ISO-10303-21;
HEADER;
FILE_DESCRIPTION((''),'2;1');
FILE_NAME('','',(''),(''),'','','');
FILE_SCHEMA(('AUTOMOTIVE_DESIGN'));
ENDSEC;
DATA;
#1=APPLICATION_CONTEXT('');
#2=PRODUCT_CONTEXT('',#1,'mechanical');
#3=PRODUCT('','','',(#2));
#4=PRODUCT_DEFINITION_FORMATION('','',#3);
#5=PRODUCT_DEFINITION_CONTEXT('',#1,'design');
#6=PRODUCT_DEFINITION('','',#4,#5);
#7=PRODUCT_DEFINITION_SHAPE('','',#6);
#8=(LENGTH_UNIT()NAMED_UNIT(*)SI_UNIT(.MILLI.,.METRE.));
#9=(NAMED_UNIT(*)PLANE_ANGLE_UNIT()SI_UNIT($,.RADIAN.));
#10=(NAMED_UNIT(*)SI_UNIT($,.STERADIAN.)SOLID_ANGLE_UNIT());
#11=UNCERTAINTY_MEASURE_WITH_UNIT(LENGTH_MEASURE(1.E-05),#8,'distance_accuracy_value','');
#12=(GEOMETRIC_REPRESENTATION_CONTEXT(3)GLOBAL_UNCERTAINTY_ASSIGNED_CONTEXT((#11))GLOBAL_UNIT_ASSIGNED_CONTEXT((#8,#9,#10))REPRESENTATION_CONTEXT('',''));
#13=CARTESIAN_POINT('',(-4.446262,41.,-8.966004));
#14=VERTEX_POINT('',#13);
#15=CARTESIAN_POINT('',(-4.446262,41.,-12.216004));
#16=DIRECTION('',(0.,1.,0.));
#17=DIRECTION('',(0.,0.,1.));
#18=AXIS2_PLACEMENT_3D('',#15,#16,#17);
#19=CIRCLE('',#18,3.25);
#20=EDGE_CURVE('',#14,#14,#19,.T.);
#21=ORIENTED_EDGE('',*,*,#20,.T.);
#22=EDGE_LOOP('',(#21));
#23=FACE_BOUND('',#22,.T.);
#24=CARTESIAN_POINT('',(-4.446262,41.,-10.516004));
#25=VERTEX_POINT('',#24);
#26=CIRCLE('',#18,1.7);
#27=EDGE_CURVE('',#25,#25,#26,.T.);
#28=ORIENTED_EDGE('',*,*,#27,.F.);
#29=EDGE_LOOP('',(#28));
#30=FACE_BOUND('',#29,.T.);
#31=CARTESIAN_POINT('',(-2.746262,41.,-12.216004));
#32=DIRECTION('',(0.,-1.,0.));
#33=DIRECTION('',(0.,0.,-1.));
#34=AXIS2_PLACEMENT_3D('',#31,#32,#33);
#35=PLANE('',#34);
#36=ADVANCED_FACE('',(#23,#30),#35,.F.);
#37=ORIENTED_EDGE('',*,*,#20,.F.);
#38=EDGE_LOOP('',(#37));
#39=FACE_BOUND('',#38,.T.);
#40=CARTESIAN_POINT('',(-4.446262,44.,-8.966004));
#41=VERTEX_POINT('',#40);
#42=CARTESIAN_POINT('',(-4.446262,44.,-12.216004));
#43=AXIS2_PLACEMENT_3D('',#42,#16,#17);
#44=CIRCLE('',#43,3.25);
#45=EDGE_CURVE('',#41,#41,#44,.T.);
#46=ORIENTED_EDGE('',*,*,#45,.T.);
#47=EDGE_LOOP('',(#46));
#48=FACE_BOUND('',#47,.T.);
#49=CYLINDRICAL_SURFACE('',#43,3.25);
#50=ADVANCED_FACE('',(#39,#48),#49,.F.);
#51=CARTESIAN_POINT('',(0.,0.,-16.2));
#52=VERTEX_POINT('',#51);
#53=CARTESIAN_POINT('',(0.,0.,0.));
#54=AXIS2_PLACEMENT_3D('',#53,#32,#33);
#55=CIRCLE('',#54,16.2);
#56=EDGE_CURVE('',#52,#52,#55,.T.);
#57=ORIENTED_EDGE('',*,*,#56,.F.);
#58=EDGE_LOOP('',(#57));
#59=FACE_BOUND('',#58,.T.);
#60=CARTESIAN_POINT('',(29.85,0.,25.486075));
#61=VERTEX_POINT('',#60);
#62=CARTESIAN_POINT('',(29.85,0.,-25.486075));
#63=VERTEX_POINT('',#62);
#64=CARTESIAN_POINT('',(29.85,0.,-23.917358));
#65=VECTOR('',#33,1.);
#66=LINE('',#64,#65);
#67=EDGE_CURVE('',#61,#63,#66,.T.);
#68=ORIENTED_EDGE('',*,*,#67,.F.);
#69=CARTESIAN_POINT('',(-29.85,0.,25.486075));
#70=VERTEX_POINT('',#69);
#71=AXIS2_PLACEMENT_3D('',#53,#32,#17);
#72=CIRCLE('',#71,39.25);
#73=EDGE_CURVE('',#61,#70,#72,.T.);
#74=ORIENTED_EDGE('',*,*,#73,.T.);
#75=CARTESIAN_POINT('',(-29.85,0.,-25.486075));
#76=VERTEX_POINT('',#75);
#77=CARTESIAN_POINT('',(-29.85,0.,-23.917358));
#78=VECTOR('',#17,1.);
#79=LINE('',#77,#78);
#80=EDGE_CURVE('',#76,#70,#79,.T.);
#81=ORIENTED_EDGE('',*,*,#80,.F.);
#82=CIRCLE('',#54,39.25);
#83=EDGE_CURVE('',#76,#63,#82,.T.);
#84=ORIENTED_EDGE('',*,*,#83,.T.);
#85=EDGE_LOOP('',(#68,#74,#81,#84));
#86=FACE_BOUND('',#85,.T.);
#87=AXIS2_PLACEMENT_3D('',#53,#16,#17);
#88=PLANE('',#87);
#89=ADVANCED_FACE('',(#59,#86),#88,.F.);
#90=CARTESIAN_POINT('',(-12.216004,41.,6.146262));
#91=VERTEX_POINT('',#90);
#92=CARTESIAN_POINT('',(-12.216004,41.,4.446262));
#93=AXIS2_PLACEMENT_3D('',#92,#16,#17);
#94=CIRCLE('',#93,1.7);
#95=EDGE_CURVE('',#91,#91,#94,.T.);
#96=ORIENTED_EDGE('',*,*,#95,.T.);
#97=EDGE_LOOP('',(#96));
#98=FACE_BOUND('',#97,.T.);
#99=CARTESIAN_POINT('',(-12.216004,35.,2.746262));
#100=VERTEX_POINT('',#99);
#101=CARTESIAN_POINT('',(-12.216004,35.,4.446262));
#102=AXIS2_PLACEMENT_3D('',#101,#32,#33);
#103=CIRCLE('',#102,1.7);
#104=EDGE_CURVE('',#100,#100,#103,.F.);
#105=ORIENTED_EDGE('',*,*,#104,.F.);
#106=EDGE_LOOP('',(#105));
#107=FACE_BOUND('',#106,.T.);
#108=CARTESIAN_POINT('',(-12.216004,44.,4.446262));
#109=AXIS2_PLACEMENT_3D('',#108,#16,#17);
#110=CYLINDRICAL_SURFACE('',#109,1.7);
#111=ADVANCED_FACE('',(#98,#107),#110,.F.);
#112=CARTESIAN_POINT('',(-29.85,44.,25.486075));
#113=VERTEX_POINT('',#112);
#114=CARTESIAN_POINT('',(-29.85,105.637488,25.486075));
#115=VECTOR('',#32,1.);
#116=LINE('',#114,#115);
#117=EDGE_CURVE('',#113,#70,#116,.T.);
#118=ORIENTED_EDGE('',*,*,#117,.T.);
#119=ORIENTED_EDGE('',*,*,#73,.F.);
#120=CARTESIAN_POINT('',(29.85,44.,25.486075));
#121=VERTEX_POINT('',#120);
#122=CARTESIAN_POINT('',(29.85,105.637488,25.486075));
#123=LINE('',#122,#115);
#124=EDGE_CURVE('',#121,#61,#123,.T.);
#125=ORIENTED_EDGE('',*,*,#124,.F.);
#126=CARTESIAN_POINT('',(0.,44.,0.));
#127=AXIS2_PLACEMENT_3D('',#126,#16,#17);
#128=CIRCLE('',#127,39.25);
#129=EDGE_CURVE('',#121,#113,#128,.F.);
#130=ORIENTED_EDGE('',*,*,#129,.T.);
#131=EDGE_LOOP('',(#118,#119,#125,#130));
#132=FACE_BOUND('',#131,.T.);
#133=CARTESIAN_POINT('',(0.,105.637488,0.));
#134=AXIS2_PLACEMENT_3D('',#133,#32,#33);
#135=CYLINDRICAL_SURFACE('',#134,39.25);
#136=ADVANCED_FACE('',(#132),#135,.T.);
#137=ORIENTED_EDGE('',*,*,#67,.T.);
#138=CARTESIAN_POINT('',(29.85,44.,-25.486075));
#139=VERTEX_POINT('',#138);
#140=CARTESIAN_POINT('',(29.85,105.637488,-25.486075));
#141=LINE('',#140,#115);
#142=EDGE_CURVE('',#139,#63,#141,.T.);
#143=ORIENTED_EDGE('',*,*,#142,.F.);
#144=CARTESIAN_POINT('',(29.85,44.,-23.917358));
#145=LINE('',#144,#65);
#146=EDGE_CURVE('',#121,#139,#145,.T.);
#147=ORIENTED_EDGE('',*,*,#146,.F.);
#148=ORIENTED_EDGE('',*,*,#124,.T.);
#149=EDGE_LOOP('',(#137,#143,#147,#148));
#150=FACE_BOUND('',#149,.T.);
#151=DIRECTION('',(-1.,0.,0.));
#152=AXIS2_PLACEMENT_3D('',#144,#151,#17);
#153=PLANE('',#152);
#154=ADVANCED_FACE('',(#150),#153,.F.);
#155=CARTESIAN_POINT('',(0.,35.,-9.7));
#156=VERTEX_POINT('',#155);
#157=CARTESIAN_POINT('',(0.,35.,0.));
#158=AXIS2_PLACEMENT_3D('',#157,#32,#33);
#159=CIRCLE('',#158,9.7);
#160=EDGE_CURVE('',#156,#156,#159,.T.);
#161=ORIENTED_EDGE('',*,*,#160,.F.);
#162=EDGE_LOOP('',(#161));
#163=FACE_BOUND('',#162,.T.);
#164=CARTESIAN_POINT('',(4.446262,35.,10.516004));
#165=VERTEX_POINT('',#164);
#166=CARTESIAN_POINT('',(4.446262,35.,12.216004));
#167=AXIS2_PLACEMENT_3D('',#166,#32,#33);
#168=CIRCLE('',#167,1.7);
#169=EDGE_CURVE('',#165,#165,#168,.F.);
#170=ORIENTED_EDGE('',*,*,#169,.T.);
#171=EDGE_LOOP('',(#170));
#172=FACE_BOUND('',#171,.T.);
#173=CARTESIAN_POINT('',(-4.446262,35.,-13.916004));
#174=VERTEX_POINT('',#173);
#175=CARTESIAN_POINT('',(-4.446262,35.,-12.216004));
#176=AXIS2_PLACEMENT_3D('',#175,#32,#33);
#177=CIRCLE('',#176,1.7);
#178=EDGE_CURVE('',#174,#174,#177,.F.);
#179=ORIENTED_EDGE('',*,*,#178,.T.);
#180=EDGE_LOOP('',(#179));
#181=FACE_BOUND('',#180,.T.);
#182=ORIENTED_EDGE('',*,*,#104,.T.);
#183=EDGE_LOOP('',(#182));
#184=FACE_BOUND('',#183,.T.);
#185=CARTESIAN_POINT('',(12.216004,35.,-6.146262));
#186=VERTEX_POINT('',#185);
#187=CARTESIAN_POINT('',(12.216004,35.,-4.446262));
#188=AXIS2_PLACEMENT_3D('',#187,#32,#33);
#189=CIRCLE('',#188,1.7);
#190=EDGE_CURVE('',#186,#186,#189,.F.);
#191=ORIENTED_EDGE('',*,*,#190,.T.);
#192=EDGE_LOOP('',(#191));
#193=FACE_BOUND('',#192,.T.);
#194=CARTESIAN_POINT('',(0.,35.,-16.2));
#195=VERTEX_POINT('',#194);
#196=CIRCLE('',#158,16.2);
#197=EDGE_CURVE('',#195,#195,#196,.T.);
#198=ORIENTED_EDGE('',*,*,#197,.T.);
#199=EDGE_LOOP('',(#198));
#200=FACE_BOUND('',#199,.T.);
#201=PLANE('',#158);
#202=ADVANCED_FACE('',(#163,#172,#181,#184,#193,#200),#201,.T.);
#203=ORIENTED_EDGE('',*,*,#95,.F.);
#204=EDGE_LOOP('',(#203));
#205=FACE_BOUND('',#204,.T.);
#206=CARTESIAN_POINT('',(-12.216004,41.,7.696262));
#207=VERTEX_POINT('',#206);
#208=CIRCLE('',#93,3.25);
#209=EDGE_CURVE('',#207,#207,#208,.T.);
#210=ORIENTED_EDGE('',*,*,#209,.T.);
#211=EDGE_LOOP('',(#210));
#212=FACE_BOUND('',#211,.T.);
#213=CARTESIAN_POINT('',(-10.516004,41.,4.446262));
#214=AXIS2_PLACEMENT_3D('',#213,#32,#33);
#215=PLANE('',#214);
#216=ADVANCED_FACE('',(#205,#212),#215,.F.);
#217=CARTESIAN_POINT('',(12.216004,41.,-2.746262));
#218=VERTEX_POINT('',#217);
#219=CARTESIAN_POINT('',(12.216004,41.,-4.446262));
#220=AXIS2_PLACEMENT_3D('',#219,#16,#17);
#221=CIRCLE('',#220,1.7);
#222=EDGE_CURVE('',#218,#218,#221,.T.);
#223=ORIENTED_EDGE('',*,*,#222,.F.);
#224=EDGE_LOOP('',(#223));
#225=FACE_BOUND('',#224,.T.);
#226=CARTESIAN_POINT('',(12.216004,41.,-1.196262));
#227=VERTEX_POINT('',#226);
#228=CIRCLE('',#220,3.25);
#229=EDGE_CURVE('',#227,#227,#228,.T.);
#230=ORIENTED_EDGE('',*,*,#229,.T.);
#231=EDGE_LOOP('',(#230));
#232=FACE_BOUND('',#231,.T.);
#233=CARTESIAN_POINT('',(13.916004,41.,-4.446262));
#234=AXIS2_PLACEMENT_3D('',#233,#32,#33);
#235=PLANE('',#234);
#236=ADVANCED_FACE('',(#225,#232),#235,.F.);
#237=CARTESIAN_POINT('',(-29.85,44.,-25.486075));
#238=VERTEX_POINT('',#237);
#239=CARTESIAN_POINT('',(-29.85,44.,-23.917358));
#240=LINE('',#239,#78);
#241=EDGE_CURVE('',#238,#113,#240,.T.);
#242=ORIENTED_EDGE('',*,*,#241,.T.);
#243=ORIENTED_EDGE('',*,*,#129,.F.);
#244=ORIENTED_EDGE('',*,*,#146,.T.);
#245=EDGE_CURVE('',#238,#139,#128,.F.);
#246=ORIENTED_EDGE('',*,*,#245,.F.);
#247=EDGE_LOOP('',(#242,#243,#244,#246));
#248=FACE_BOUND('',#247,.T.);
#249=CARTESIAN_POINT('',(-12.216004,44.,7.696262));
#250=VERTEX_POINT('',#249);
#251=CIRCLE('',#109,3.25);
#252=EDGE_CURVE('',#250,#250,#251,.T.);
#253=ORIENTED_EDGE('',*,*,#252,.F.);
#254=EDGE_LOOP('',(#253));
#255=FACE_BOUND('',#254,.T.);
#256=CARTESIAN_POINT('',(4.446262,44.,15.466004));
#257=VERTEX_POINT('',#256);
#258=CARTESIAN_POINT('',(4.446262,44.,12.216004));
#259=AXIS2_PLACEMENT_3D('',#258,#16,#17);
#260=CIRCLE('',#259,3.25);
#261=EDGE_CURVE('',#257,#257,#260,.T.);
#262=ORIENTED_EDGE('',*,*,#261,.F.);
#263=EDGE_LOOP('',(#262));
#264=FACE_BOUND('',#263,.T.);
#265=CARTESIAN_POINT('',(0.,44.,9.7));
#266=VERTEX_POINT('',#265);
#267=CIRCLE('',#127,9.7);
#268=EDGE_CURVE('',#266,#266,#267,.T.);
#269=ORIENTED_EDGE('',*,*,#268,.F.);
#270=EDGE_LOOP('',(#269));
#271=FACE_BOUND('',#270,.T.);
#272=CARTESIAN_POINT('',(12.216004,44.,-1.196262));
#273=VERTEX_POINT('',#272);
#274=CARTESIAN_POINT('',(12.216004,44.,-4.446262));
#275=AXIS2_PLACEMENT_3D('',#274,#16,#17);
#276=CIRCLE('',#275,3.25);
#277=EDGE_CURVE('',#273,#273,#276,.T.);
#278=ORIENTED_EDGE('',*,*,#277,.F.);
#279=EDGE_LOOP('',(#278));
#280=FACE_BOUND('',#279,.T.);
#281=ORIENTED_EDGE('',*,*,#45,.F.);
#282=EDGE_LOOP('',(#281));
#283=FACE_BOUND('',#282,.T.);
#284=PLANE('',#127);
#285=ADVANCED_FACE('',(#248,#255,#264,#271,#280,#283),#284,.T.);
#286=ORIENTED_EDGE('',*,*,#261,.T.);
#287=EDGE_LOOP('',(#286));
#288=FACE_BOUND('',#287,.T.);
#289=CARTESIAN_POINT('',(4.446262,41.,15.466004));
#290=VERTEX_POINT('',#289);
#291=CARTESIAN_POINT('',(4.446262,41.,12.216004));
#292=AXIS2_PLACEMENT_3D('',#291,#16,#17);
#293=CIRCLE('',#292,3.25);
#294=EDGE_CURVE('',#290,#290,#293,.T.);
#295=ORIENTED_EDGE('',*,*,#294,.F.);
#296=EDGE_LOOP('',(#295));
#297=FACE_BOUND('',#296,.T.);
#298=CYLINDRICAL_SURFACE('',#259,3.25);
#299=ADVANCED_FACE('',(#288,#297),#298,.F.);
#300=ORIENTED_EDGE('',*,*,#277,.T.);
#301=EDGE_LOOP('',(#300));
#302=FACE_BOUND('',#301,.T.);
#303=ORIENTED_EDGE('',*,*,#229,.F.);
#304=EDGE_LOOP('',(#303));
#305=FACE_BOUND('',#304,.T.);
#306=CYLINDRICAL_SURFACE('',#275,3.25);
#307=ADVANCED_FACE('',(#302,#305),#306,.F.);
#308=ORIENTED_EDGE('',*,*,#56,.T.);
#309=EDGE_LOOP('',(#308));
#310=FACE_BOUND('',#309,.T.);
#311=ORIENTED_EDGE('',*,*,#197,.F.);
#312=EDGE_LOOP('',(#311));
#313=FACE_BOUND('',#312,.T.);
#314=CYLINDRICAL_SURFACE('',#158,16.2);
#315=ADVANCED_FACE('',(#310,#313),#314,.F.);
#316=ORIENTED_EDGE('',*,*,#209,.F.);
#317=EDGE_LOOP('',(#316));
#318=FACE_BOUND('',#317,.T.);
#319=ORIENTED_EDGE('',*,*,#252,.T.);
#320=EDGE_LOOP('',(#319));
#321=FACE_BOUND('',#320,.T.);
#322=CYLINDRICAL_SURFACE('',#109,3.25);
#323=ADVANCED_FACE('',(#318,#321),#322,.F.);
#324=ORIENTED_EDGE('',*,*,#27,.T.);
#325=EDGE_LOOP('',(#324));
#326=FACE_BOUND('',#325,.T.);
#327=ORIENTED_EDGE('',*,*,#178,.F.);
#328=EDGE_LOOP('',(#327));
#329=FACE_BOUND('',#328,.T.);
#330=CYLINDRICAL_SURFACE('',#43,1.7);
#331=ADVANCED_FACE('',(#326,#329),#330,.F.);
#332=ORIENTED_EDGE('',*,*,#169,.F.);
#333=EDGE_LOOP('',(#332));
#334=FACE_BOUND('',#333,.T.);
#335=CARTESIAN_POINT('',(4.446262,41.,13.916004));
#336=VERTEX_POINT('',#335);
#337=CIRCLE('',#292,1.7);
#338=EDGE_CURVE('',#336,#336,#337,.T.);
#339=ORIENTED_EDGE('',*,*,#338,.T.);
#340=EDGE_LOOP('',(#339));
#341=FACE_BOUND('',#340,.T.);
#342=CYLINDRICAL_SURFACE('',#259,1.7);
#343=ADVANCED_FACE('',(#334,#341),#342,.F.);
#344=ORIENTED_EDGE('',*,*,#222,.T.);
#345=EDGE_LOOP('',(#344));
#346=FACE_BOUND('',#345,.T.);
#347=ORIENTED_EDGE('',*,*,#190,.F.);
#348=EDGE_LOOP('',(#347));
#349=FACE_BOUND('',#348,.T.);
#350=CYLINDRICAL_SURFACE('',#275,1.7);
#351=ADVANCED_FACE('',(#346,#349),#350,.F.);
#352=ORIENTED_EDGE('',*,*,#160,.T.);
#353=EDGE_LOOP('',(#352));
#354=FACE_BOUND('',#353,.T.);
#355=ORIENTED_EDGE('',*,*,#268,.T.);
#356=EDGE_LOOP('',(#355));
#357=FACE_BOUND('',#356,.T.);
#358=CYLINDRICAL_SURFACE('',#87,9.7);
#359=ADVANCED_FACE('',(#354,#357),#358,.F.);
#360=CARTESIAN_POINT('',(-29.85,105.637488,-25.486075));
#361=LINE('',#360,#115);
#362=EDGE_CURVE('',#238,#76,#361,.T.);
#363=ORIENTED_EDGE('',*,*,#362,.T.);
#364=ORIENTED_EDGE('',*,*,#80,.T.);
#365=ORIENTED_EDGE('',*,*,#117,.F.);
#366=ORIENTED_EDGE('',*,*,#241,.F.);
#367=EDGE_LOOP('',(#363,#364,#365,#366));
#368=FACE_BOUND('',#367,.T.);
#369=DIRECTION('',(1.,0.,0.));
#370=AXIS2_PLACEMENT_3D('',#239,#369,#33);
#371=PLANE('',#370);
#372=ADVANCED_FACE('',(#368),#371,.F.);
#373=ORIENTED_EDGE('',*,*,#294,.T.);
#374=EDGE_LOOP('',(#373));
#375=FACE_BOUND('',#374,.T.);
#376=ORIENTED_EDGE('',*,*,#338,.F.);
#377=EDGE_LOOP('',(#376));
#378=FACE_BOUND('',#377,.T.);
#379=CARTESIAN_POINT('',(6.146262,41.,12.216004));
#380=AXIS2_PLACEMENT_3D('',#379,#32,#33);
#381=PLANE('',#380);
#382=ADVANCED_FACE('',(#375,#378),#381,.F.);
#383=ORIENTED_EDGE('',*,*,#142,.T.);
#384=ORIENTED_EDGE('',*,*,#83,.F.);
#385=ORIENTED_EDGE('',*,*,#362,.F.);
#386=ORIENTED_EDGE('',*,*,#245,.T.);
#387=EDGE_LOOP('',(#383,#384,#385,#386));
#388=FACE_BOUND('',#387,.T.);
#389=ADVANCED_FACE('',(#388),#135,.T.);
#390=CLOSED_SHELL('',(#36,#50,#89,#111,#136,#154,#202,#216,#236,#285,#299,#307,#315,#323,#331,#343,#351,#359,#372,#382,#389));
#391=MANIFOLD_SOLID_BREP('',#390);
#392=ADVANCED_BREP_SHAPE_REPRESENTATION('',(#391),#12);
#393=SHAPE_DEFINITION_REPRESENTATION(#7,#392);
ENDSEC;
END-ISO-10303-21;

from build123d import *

# Parameters (mm, degrees)
BOSS_EXTRUDE1_DEPTH            = 44
CBORE_FOR_M3_SHCS1_D           = 3.4
CBORE_FOR_M3_SHCS1_CBORE_D     = 6.5
CBORE_FOR_M3_SHCS1_CBORE_DEPTH = 3
CIRPATTERN1_COUNT              = 4
SKETCH4_R                      = 16.2
CUT_EXTRUDE1_DEPTH             = 35
SKETCH5_R                      = 9.7
CUT_EXTRUDE2_DEPTH             = 66.498740446
BOSS_EXTRUDE2_DEPTH            = 44


with BuildPart() as part:
    # Sketch1 → Boss-Extrude1 (new body)
    with BuildSketch(Plane(origin=(0, 0, 0), x_dir=(1, 0, 0), z_dir=(0, 1, 0))):
        with BuildLine():
            Line((-29.85, 23.917357714), (-29.85, -23.917357714))
            ThreePointArc((-29.85, -23.917357714), (0, -38.25), (29.85, -23.917357714))
            Line((29.85, -23.917357714), (29.85, 23.917357714))
            ThreePointArc((29.85, 23.917357714), (0, 38.25), (-29.85, 23.917357714))
        make_face()
    extrude(amount=BOSS_EXTRUDE1_DEPTH)

    # CBORE for M3 SHCS1 (through all)
    with Locations(Plane(origin=(0, 44, 0), x_dir=(1, 0, 0), z_dir=(0, 1, 0))):
        with Locations((-4.446261863, 12.21600407)):
            cbore_for_m3_shcs1 = CounterBoreHole(CBORE_FOR_M3_SHCS1_D / 2, CBORE_FOR_M3_SHCS1_CBORE_D / 2, CBORE_FOR_M3_SHCS1_CBORE_DEPTH)

    # CirPattern1: CBORE for M3 SHCS1 ×4 about axis
    cirpattern1_axis = Axis((0, 0, 0), (0, 1, 0))
    for i in range(1, CIRPATTERN1_COUNT):
        add(cbore_for_m3_shcs1.rotate(cirpattern1_axis, i * 360 / CIRPATTERN1_COUNT), mode=Mode.SUBTRACT)

    # Sketch4 → Cut-Extrude1 (cut)
    with BuildSketch(Plane.XZ):
        with Locations(Location((0, 0, 0), (0, 0, 270))):
            Circle(SKETCH4_R)
    extrude(amount=-CUT_EXTRUDE1_DEPTH, mode=Mode.SUBTRACT)

    # Sketch5 → Cut-Extrude2 (cut, through all)
    with BuildSketch(Plane(origin=(0, 44, 0), x_dir=(1, 0, 0), z_dir=(0, 1, 0))):
        with Locations(Location((0, 0, 0), (0, 0, 270))):
            Circle(SKETCH5_R)
    extrude(amount=-CUT_EXTRUDE2_DEPTH, mode=Mode.SUBTRACT)

    # Sketch7 → Boss-Extrude2 (add)
    with BuildSketch(Plane.XZ):
        with BuildLine():
            Line((-29.85, 23.917357714), (-29.85, 25.486074629))
            ThreePointArc((-29.85, 25.486074629), (0, 39.25), (29.85, 25.486074629))
            Line((29.85, 25.486074629), (29.85, 23.917357714))
            ThreePointArc((29.85, 23.917357714), (0, 38.25), (-29.85, 23.917357714))
        make_face()
        with BuildLine():
            Line((29.85, -23.917357714), (29.85, -25.486074629))
            ThreePointArc((29.85, -25.486074629), (0, -39.25), (-29.85, -25.486074629))
            Line((-29.85, -25.486074629), (-29.85, -23.917357714))
            ThreePointArc((-29.85, -23.917357714), (0, -38.25), (29.85, -23.917357714))
        make_face()
    extrude(amount=-BOSS_EXTRUDE2_DEPTH)


solid = part.part
